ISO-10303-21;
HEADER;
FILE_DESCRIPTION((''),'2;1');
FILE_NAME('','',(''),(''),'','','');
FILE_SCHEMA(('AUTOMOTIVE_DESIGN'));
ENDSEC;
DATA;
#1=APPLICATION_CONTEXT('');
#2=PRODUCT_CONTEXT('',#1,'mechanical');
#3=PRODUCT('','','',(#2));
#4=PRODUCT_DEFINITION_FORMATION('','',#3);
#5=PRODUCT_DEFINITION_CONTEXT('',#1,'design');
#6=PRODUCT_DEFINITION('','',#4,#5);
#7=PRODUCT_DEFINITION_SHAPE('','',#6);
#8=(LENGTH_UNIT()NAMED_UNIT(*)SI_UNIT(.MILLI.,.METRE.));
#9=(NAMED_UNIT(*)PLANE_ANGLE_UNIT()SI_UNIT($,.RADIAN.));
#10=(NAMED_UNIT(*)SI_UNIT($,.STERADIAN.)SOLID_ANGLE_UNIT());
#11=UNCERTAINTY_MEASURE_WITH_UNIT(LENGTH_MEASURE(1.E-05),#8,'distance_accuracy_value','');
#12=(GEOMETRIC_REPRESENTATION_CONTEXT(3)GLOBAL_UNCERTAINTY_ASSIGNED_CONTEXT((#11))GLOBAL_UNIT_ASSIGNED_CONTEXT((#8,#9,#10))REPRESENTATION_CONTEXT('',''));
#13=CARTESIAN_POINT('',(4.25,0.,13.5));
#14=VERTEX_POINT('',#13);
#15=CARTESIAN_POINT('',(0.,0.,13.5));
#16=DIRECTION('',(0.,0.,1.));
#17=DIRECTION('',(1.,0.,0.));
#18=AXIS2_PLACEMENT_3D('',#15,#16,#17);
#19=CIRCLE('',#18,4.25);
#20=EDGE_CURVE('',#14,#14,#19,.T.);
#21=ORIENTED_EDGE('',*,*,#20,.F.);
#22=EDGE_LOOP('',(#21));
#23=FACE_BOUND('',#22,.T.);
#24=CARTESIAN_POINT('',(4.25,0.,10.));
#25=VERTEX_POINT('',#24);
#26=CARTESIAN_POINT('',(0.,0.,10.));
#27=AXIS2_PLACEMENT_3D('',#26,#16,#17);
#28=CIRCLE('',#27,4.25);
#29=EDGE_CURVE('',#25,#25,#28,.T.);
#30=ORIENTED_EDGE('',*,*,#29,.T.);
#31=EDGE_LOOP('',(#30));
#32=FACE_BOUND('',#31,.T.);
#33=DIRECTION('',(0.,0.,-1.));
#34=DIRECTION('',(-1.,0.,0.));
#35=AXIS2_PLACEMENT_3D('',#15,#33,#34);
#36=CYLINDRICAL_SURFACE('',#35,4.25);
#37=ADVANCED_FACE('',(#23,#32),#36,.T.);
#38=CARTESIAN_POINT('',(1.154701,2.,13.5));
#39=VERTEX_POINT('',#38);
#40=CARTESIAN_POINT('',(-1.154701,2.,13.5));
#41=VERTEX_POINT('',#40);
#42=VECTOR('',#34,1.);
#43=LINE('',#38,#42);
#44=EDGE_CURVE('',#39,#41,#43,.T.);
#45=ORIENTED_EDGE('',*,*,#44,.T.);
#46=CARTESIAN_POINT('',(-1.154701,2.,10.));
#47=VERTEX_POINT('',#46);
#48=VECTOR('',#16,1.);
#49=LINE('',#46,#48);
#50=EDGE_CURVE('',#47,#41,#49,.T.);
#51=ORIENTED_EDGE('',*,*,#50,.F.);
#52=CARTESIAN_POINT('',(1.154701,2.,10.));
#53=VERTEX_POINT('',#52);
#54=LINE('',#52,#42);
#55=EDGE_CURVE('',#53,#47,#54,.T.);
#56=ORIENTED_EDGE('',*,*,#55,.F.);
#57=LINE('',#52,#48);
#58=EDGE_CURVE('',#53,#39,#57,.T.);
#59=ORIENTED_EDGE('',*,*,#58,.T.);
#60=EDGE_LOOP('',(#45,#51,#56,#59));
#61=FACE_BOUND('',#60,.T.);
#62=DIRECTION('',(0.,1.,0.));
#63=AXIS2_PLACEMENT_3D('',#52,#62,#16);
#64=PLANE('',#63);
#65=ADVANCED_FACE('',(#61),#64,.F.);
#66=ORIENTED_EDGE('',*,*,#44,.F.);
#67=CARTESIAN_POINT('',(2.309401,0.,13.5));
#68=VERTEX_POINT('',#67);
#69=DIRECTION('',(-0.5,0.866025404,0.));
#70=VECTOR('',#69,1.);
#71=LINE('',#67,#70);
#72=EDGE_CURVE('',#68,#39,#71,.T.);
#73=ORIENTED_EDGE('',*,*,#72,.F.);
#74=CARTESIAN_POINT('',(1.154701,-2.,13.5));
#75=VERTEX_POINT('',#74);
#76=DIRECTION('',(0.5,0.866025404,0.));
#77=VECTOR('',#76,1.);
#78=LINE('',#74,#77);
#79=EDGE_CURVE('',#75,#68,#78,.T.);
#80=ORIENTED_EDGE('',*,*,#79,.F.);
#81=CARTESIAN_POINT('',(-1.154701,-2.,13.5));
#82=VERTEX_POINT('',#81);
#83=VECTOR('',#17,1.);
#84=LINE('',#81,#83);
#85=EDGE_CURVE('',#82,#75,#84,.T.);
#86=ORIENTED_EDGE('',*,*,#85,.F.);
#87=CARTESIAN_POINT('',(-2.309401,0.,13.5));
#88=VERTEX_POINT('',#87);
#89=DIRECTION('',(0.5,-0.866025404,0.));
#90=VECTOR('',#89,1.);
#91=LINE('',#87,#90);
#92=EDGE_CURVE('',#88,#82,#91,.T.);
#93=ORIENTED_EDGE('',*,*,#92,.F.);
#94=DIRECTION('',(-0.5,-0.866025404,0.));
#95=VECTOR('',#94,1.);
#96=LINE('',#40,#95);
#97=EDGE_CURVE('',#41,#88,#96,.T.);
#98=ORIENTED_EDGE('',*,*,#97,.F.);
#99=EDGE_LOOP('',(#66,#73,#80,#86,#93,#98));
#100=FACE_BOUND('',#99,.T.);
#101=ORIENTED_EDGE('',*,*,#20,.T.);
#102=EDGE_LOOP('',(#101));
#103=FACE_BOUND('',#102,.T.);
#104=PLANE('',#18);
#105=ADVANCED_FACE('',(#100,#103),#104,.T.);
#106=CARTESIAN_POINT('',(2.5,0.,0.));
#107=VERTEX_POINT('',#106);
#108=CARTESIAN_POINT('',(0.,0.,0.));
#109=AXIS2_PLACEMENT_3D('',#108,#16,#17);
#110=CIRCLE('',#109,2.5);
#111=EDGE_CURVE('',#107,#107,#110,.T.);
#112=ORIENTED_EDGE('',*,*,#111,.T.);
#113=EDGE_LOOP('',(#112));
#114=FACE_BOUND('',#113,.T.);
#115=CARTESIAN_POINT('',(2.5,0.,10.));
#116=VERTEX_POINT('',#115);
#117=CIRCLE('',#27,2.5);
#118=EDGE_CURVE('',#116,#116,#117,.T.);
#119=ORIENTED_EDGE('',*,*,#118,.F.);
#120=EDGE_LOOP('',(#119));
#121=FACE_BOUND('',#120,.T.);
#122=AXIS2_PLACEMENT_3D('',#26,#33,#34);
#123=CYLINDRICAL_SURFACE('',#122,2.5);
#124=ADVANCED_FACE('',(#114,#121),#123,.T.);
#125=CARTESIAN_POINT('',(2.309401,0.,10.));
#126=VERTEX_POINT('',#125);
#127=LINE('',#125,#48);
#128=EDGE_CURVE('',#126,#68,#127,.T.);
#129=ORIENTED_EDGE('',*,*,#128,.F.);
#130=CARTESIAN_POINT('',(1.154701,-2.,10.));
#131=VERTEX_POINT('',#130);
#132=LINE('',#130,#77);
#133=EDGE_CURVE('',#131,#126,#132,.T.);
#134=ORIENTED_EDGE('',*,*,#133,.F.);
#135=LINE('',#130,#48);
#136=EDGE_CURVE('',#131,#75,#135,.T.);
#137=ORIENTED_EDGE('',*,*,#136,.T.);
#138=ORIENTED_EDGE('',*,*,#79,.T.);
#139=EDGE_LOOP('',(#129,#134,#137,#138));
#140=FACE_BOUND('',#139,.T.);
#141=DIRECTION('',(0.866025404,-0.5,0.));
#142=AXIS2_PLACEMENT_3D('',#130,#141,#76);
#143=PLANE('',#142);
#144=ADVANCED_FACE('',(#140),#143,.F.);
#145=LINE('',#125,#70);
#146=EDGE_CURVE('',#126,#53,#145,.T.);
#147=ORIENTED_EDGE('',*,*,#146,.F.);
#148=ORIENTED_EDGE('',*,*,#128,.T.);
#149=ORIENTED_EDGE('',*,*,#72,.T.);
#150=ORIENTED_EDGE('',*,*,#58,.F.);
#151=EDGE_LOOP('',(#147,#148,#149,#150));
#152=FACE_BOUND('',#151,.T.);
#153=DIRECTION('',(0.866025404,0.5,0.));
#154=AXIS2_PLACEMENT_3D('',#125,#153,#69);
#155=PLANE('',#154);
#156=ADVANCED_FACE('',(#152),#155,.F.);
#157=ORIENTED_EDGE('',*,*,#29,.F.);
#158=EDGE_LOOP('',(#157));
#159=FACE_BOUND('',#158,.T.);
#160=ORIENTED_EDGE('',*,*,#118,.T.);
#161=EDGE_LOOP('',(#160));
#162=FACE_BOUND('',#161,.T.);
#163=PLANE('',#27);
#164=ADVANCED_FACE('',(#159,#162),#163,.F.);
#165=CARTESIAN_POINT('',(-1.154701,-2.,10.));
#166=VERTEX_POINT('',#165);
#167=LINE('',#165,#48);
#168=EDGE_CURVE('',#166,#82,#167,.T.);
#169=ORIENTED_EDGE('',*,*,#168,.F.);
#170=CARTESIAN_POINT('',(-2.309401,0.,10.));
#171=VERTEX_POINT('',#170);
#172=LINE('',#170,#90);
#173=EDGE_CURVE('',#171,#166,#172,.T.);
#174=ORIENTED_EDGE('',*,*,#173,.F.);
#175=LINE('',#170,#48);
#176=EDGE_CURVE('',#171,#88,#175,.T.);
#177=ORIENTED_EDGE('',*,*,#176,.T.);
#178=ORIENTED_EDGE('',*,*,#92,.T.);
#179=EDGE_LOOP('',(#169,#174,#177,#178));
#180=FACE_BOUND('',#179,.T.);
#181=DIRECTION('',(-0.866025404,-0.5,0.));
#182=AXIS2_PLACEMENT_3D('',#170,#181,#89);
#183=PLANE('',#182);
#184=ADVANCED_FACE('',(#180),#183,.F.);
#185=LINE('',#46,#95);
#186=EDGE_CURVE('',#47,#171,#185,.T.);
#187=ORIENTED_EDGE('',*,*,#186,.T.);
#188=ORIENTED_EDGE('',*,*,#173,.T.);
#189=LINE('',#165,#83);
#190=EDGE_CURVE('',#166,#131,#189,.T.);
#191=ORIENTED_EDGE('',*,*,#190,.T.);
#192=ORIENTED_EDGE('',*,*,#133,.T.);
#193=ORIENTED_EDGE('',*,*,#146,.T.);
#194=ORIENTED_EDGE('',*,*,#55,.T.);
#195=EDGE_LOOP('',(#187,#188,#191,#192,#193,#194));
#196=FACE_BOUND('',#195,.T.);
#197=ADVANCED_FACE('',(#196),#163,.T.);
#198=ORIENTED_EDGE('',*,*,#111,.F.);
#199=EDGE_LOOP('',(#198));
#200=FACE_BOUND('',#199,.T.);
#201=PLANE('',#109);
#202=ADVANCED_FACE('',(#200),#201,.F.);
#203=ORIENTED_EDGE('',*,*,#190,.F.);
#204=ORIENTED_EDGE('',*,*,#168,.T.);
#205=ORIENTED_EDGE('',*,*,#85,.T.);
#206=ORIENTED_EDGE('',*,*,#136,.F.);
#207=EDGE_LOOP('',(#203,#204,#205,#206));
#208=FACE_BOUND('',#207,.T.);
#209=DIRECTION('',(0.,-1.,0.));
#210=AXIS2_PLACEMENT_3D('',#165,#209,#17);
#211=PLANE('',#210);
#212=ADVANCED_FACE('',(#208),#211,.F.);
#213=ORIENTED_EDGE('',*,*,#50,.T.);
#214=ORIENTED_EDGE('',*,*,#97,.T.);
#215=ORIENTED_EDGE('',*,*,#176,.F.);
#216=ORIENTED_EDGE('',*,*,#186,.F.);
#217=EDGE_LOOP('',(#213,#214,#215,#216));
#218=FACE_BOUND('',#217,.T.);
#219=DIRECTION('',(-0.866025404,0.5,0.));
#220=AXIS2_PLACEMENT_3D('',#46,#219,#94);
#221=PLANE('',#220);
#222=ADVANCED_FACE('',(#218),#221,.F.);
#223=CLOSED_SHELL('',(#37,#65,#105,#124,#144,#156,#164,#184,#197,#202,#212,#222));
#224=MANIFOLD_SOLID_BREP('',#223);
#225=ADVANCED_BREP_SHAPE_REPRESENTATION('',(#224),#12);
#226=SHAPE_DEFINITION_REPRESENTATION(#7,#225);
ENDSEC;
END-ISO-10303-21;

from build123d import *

# Parameters (mm, degrees)
ESQUISSE1_R             = 2.5
BOSS_EXTRU_1_DEPTH      = 10
ESQUISSE2_R             = 4.25
BOSS_EXTRU_2_DEPTH      = 3.5
ENL_V_MAT_EXTRU_1_DEPTH = 3.5


with BuildPart() as part:
    # Esquisse1 → Boss.-Extru.1 (new body)
    with BuildSketch(Plane.XY):
        Circle(ESQUISSE1_R)
    extrude(amount=BOSS_EXTRU_1_DEPTH)

    # Esquisse2 → Boss.-Extru.2 (add)
    with BuildSketch(Plane.XY.offset(10)):
        Circle(ESQUISSE2_R)
    extrude(amount=BOSS_EXTRU_2_DEPTH)

    # Esquisse3 → Enlèv. mat.-Extru.1 (cut)
    with BuildSketch(Plane.XY.offset(13.5)):
        Polygon((2.309401077, 0), (1.154700538, 2), (-1.154700538, 2), (-2.309401077, 0), (-1.154700538, -2), (1.154700538, -2), align=None)
    extrude(amount=-ENL_V_MAT_EXTRU_1_DEPTH, mode=Mode.SUBTRACT)


solid = part.part
